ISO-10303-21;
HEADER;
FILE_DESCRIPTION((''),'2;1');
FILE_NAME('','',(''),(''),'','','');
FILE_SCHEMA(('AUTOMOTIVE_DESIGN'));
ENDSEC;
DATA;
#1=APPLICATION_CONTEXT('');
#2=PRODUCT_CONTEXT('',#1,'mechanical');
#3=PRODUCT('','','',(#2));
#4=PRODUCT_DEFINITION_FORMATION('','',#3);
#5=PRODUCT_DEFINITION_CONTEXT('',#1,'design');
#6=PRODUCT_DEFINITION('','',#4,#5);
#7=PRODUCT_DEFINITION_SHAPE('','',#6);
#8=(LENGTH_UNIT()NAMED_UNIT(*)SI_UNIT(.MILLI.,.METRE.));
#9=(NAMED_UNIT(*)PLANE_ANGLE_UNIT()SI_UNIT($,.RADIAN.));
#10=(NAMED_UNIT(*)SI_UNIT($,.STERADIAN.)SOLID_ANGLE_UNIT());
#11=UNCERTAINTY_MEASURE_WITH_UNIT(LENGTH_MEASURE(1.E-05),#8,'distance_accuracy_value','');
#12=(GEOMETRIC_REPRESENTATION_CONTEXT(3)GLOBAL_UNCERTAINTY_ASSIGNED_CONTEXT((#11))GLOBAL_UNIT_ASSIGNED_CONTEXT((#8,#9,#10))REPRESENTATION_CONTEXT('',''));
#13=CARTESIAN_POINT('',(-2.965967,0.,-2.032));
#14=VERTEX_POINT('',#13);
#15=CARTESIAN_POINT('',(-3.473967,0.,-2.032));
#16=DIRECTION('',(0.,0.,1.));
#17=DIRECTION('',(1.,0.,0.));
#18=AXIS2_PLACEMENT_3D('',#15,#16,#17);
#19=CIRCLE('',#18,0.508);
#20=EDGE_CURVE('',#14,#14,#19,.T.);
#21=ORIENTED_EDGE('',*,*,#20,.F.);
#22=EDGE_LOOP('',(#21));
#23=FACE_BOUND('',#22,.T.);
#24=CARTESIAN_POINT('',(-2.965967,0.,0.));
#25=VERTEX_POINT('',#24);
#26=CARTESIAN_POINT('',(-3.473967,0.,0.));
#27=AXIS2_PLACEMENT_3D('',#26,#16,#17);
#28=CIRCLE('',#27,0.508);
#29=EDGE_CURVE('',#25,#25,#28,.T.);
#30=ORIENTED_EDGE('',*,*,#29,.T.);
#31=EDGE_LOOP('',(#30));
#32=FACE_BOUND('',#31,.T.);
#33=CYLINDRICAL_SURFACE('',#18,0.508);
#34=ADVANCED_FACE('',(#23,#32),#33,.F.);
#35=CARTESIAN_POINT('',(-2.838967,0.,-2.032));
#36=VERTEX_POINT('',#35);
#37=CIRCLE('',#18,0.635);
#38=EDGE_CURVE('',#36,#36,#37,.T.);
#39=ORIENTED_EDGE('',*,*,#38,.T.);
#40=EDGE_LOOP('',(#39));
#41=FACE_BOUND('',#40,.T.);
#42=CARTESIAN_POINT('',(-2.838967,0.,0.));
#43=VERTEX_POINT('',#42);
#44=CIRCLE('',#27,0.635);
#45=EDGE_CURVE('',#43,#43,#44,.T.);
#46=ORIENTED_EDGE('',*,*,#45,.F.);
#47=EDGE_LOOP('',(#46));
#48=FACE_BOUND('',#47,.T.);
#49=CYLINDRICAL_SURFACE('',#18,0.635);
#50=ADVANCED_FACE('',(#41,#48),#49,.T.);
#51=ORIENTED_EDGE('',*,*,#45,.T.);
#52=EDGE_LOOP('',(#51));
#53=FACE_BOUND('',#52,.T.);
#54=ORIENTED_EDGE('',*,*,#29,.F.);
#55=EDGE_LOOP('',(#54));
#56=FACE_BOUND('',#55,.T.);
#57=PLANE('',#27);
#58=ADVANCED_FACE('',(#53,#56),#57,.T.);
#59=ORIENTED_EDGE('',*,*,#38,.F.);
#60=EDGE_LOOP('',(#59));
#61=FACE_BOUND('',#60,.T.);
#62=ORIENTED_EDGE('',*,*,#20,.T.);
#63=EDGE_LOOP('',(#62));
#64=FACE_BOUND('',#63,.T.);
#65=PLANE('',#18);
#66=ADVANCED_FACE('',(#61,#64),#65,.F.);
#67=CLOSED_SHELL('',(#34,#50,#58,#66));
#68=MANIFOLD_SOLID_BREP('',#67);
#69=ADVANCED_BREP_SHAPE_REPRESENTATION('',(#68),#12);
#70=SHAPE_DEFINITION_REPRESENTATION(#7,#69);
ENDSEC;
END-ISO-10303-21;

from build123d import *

# Parameters (mm, degrees)
SKETCH1_R           = 0.635
SKETCH1_R_2         = 0.508
BOSS_EXTRUDE1_DEPTH = 2.032


with BuildPart() as part:
    # Sketch1 → Boss-Extrude1 (new body)
    with BuildSketch(Plane.XY):
        with Locations((-3.473967256, 0)):
            Circle(SKETCH1_R)
        with Locations((-3.473967256, 0)):
            Circle(SKETCH1_R_2, mode=Mode.SUBTRACT)
    extrude(amount=-BOSS_EXTRUDE1_DEPTH)


solid = part.part
